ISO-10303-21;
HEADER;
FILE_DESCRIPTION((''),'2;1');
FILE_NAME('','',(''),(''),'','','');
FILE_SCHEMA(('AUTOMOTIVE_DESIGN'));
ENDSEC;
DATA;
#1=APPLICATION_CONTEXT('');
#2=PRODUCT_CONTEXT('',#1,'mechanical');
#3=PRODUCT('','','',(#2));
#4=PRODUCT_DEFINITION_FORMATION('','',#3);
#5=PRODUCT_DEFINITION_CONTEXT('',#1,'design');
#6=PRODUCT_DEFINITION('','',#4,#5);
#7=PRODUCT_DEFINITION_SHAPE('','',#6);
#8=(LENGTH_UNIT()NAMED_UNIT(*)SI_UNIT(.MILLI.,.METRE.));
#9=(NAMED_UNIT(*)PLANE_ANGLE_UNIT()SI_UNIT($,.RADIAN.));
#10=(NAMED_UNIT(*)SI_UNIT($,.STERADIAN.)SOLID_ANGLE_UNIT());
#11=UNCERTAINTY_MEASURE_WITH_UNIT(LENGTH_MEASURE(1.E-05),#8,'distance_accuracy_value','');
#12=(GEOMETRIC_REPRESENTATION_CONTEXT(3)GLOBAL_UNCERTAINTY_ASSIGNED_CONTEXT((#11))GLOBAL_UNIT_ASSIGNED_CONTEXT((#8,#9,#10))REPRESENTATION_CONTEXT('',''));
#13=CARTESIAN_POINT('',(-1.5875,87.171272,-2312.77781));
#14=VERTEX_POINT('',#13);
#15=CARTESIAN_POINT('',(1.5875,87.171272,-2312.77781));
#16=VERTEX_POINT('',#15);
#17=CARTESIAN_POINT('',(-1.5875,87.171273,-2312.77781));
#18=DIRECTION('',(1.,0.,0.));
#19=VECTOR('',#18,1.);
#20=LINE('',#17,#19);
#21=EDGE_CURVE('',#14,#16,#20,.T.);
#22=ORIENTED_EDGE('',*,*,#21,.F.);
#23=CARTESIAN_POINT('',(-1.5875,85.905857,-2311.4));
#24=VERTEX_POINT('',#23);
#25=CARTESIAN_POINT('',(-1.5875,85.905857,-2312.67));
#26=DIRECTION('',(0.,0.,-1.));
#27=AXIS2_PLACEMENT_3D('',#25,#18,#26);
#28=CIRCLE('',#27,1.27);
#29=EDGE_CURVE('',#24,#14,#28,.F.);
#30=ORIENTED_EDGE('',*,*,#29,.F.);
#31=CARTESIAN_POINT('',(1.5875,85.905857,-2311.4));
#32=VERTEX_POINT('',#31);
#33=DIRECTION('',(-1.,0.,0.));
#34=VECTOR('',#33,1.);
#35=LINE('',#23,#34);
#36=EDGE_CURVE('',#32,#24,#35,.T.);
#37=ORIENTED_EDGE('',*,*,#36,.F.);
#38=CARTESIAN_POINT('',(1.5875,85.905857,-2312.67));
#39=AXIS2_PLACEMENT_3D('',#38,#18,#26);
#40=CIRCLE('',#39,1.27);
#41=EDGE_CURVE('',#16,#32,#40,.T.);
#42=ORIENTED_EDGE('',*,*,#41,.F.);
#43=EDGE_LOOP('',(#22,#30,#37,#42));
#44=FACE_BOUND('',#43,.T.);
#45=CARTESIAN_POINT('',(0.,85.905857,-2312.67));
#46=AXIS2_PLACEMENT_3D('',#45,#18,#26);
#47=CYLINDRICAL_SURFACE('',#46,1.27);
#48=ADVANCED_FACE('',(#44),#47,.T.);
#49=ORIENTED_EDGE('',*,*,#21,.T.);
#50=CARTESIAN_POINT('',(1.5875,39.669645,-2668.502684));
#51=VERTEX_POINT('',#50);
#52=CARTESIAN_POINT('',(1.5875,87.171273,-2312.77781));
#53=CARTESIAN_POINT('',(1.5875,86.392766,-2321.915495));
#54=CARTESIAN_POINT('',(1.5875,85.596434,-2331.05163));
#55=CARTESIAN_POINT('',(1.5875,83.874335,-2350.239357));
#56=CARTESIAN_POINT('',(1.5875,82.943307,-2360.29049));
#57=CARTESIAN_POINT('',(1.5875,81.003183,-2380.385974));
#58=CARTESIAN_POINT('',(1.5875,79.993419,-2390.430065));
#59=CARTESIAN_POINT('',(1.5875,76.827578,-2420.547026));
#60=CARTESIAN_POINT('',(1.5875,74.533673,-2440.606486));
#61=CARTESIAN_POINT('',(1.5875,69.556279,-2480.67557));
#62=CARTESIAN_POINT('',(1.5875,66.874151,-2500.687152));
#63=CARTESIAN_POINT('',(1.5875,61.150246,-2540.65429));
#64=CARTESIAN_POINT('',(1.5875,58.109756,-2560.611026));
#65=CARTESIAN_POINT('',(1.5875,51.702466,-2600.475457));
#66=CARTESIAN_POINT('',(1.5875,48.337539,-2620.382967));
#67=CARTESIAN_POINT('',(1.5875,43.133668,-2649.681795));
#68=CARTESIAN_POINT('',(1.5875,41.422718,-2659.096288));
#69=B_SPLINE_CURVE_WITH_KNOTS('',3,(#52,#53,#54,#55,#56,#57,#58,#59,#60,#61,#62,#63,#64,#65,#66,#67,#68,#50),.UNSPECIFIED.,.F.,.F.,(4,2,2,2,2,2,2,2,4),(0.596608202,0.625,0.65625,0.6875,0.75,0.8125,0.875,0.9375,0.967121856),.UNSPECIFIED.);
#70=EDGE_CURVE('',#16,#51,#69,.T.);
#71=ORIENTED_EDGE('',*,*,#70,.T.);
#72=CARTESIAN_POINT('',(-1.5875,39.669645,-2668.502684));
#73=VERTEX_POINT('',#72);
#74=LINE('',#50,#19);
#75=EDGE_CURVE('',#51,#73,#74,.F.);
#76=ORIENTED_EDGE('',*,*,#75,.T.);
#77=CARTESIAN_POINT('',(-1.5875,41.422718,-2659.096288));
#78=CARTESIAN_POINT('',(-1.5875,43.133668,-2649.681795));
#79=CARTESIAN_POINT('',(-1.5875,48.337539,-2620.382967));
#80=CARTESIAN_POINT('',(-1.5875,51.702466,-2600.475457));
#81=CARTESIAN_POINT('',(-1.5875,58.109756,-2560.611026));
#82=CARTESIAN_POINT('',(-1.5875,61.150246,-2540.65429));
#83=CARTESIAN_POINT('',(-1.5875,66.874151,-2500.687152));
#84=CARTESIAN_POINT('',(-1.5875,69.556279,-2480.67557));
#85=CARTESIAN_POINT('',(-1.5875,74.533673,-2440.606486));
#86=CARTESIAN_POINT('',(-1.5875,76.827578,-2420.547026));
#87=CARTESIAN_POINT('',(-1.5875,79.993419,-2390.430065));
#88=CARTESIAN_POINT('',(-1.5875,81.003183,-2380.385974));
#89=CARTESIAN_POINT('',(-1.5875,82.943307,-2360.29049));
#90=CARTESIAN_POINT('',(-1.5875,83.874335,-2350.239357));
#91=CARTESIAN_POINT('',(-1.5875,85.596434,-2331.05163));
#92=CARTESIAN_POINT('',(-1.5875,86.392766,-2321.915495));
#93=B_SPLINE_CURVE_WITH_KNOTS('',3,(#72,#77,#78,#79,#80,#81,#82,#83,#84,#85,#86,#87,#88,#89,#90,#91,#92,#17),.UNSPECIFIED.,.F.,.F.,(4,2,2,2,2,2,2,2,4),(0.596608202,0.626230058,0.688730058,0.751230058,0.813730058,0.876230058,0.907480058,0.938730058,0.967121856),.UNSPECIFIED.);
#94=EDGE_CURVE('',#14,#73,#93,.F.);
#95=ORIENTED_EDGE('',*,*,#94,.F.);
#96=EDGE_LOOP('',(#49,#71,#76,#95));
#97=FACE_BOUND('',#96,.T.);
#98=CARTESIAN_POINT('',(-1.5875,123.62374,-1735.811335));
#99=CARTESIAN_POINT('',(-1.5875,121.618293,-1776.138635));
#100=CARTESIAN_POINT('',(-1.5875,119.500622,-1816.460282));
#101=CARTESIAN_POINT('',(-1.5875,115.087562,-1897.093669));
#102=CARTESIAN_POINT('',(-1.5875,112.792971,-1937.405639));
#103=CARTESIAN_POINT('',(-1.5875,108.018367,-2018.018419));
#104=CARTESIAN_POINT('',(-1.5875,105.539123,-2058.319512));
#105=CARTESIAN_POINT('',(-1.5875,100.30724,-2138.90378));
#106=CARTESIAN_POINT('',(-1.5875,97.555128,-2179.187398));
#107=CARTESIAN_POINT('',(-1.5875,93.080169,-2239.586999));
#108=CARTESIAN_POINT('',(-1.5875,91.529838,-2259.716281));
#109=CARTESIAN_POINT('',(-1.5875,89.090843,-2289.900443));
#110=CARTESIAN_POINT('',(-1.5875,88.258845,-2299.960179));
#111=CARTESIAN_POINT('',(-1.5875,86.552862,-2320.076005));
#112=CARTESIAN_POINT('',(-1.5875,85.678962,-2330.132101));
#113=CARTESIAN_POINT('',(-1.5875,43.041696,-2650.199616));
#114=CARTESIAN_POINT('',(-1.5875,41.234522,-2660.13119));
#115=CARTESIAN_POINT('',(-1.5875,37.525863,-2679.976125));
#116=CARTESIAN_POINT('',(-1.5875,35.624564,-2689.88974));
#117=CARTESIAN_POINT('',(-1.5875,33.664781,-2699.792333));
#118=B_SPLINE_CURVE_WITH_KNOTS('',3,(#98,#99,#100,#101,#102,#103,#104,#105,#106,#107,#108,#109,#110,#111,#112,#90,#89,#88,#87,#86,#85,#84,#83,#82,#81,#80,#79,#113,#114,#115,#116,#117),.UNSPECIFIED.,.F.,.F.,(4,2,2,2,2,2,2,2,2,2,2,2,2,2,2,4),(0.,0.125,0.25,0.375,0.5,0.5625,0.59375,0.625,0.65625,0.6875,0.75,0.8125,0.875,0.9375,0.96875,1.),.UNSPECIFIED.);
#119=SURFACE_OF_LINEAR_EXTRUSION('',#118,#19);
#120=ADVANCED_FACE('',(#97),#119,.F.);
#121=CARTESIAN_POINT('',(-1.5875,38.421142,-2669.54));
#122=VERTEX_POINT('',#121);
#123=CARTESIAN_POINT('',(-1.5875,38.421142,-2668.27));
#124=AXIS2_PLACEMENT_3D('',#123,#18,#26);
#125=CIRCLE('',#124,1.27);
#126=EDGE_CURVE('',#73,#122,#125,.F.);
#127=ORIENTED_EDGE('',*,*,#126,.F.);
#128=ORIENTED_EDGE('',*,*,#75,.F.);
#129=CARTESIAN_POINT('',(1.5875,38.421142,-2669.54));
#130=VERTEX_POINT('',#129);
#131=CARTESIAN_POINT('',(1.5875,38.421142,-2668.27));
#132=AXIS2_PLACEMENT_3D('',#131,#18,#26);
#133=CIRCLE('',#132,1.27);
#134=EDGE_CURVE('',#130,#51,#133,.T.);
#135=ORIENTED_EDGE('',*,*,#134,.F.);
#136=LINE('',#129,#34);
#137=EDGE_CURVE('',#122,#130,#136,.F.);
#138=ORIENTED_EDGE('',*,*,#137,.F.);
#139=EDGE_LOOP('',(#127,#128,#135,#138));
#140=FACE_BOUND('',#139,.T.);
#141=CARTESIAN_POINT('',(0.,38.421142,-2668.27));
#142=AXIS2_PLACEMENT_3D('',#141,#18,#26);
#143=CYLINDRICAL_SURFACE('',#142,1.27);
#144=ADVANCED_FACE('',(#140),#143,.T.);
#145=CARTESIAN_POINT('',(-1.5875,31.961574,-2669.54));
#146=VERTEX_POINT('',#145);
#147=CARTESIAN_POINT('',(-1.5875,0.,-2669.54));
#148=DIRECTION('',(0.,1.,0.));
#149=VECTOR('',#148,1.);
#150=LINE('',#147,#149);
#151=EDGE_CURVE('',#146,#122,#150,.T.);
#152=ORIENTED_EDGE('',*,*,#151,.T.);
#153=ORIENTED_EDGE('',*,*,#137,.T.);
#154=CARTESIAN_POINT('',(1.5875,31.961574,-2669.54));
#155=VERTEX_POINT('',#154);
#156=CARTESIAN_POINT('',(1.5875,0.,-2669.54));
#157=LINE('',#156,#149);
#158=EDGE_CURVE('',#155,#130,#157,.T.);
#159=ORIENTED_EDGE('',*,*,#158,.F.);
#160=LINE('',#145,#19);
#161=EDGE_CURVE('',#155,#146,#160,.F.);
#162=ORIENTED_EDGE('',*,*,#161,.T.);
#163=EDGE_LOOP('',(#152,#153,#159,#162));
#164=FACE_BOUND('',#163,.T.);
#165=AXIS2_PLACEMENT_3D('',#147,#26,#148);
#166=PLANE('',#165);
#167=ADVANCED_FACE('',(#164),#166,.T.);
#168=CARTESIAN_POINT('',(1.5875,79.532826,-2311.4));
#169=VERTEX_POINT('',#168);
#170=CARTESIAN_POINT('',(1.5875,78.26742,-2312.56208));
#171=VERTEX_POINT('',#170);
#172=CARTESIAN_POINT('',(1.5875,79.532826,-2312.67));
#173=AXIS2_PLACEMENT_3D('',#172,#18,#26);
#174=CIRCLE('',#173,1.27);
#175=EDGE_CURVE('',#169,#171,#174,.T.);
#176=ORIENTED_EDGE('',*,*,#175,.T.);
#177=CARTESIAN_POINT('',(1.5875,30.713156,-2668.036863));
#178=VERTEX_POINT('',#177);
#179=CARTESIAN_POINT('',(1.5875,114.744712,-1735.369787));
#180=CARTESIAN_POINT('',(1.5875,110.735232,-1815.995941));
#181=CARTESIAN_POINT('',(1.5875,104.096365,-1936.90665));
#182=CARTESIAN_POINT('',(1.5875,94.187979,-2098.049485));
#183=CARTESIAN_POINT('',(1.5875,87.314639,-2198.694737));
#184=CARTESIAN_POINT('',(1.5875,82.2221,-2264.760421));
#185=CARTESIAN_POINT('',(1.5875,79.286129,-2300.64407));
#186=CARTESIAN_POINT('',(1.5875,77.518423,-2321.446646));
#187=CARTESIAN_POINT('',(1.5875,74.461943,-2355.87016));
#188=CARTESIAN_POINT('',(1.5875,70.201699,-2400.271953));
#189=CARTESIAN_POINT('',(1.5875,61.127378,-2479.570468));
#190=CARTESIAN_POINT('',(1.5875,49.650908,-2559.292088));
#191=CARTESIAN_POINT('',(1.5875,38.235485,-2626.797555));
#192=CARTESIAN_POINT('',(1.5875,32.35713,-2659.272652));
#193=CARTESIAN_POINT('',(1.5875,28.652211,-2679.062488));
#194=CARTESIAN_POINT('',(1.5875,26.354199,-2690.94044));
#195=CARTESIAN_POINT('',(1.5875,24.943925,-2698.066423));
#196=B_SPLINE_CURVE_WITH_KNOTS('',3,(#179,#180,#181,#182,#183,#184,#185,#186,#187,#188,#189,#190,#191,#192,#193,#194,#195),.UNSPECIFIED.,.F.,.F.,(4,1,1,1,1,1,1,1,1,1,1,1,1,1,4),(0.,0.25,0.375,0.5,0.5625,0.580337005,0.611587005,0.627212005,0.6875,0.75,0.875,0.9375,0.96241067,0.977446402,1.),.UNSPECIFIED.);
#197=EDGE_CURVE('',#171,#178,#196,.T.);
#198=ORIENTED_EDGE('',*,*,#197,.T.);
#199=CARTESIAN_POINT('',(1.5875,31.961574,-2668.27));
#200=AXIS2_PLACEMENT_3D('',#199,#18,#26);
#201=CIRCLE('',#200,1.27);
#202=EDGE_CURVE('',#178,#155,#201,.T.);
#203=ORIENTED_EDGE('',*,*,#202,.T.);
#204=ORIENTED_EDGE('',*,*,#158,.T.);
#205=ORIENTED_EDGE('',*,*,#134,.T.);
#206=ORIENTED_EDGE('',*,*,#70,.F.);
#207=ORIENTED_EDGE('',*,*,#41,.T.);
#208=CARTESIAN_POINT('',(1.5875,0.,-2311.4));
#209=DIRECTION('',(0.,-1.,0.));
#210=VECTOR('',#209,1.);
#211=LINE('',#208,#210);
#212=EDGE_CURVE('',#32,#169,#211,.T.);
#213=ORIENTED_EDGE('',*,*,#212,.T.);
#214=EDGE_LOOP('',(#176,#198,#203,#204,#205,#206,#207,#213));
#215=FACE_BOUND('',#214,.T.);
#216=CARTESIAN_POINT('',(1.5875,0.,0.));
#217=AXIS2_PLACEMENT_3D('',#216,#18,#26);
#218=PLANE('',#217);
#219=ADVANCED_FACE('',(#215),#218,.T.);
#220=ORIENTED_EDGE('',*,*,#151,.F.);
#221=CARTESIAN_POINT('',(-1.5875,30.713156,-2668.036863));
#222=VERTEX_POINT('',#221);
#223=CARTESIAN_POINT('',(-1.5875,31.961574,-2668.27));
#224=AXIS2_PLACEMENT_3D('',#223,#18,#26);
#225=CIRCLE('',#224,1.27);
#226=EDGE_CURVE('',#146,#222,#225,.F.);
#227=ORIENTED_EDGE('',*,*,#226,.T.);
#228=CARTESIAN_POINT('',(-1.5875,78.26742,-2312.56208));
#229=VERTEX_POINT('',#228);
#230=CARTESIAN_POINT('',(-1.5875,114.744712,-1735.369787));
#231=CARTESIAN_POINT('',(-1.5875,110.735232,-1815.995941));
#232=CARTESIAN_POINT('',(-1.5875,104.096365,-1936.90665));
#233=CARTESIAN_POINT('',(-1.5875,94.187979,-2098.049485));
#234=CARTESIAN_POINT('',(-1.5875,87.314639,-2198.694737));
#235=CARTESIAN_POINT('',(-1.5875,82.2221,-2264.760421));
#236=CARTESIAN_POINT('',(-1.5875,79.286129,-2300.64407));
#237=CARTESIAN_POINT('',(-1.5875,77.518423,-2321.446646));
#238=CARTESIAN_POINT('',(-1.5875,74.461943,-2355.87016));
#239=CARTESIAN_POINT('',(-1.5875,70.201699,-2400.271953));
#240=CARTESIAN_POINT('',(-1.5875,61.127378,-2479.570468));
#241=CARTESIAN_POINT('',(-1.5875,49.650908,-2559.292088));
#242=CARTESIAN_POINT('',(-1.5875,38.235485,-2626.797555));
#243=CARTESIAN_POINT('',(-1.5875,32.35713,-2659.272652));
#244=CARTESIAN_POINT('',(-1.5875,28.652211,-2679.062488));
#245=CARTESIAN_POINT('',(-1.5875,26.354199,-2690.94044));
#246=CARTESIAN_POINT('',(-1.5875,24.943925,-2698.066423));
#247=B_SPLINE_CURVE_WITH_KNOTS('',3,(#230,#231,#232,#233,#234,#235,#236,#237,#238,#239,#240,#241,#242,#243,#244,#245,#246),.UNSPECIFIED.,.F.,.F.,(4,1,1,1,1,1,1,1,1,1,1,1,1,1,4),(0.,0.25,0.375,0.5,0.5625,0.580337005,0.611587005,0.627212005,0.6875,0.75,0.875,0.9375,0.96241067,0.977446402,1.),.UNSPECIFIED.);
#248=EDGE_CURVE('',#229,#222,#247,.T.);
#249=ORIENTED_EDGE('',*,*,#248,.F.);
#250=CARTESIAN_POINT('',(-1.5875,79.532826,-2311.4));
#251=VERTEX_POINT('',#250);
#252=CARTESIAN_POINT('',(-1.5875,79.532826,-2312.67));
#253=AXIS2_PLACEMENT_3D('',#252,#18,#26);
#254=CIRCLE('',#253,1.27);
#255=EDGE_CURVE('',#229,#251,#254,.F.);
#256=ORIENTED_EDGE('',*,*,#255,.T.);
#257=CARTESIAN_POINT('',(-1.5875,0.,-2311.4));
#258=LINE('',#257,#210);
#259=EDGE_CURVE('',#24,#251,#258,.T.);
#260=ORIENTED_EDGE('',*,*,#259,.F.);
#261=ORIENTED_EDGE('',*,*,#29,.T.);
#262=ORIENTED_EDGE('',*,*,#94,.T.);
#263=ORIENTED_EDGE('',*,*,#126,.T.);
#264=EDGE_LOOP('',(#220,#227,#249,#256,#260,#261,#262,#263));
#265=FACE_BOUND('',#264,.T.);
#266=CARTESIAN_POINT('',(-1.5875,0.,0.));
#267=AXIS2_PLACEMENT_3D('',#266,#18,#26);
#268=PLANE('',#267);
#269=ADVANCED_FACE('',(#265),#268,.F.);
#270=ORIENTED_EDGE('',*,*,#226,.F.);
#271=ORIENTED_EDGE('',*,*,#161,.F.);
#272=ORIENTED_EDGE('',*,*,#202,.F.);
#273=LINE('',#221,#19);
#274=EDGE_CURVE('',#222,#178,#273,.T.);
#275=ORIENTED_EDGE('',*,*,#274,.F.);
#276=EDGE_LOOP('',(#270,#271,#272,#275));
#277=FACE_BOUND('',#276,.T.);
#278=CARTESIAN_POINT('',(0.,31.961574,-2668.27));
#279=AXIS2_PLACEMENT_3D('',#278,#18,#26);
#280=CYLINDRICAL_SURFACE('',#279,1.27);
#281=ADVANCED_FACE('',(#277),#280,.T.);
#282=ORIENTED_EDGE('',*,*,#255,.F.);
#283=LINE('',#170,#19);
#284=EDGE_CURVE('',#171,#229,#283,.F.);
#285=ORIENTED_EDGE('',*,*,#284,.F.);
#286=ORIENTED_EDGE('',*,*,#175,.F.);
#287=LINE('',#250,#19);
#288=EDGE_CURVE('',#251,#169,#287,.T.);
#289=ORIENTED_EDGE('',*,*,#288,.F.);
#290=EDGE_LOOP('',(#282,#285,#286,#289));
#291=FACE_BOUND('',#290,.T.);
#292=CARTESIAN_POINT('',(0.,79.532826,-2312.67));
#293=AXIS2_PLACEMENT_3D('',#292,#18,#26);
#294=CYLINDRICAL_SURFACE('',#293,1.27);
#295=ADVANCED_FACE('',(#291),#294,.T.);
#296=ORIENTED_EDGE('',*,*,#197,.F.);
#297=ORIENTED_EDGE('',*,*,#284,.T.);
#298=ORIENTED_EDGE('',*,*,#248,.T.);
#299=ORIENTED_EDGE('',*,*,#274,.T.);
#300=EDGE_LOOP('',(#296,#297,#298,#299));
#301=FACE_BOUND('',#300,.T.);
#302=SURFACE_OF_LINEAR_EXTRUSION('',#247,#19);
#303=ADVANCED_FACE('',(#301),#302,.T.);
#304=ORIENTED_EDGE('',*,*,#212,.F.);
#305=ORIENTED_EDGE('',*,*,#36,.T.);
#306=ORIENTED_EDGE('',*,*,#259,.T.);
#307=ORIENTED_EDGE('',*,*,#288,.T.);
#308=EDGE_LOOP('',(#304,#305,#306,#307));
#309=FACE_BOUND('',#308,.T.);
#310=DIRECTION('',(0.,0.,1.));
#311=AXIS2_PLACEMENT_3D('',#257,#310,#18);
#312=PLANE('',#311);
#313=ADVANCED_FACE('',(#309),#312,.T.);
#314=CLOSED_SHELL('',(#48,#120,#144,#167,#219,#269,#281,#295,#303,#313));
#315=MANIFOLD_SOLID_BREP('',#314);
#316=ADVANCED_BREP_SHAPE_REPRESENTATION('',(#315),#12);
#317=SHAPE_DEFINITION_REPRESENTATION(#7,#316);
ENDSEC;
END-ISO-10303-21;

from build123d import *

# Parameters (mm, degrees)
BOSS_EXTRUDE1_DEPTH = 1.5875
FILLET1_R           = 1.27


with BuildPart() as part:
    # Sketch2 → Boss-Extrude1 (new body, symmetric)
    with BuildSketch(Plane(origin=(0, 0, 0), x_dir=(0, 0, -1), z_dir=(1, 0, 0))):
        with BuildLine():
            Line((2311.4, 87.288523189), (2311.4, 78.366424638))
            add(Edge.make_bspline(
                [(2311.4, 78.366424638), (2316.422531269, 77.938965796), (2326.465798303, 77.072769892), (2355.87015988, 74.461943474), (2400.271952644, 70.201698936), (2479.570468264, 61.127378254), (2559.292087872, 49.650907614), (2626.797554585, 38.235484735), (2656.889518578, 32.788503969), (2667.159793662, 30.877771266), (2669.54, 30.432069924)],
                knots=[0.595962005, 0.595962005, 0.595962005, 0.595962005, 0.611587005, 0.627212005, 0.6875, 0.75, 0.875, 0.9375, 0.96241067, 0.969928536, 0.969928536, 0.969928536, 0.969928536], degree=3))
            Line((2669.54, 30.432069924), (2669.54, 39.476142465))
            add(Edge.make_bspline(
                [(2311.4, 87.288523189), (2320.997112773, 86.472755043), (2330.592544535, 85.637637379), (2350.239356518, 83.874334847), (2360.290489794, 82.943307484), (2380.385973971, 81.003183297), (2390.430065378, 79.993418555), (2420.547026195, 76.827577532), (2440.60648589, 74.533672955), (2480.675569568, 69.556278523), (2500.68715183, 66.874150811), (2540.654290207, 61.150246295), (2560.611026428, 58.109755646), (2600.475457131, 51.702465574), (2620.382967089, 48.337538888), (2650.028116889, 43.072156367), (2659.78844051, 41.29687683), (2669.54, 39.476142465)],
                knots=[0.595181211, 0.595181211, 0.595181211, 0.595181211, 0.625, 0.625, 0.65625, 0.65625, 0.6875, 0.6875, 0.75, 0.75, 0.8125, 0.8125, 0.875, 0.875, 0.9375, 0.9375, 0.968210768, 0.968210768, 0.968210768, 0.968210768], degree=3))
        make_face()
    extrude(amount=BOSS_EXTRUDE1_DEPTH, both=True)

    # Fillet1
    fillet1_edges = [part.edges().sort_by_distance(p)[0] for p in [
        (-0.79375, 78.366424638, -2311.4),
        (-0.79375, 87.288523189, -2311.4),
        (-0.79375, 30.432069924, -2669.54),
        (-0.79375, 39.476142465, -2669.54),
    ]]
    fillet(fillet1_edges, radius=FILLET1_R)


solid = part.part
